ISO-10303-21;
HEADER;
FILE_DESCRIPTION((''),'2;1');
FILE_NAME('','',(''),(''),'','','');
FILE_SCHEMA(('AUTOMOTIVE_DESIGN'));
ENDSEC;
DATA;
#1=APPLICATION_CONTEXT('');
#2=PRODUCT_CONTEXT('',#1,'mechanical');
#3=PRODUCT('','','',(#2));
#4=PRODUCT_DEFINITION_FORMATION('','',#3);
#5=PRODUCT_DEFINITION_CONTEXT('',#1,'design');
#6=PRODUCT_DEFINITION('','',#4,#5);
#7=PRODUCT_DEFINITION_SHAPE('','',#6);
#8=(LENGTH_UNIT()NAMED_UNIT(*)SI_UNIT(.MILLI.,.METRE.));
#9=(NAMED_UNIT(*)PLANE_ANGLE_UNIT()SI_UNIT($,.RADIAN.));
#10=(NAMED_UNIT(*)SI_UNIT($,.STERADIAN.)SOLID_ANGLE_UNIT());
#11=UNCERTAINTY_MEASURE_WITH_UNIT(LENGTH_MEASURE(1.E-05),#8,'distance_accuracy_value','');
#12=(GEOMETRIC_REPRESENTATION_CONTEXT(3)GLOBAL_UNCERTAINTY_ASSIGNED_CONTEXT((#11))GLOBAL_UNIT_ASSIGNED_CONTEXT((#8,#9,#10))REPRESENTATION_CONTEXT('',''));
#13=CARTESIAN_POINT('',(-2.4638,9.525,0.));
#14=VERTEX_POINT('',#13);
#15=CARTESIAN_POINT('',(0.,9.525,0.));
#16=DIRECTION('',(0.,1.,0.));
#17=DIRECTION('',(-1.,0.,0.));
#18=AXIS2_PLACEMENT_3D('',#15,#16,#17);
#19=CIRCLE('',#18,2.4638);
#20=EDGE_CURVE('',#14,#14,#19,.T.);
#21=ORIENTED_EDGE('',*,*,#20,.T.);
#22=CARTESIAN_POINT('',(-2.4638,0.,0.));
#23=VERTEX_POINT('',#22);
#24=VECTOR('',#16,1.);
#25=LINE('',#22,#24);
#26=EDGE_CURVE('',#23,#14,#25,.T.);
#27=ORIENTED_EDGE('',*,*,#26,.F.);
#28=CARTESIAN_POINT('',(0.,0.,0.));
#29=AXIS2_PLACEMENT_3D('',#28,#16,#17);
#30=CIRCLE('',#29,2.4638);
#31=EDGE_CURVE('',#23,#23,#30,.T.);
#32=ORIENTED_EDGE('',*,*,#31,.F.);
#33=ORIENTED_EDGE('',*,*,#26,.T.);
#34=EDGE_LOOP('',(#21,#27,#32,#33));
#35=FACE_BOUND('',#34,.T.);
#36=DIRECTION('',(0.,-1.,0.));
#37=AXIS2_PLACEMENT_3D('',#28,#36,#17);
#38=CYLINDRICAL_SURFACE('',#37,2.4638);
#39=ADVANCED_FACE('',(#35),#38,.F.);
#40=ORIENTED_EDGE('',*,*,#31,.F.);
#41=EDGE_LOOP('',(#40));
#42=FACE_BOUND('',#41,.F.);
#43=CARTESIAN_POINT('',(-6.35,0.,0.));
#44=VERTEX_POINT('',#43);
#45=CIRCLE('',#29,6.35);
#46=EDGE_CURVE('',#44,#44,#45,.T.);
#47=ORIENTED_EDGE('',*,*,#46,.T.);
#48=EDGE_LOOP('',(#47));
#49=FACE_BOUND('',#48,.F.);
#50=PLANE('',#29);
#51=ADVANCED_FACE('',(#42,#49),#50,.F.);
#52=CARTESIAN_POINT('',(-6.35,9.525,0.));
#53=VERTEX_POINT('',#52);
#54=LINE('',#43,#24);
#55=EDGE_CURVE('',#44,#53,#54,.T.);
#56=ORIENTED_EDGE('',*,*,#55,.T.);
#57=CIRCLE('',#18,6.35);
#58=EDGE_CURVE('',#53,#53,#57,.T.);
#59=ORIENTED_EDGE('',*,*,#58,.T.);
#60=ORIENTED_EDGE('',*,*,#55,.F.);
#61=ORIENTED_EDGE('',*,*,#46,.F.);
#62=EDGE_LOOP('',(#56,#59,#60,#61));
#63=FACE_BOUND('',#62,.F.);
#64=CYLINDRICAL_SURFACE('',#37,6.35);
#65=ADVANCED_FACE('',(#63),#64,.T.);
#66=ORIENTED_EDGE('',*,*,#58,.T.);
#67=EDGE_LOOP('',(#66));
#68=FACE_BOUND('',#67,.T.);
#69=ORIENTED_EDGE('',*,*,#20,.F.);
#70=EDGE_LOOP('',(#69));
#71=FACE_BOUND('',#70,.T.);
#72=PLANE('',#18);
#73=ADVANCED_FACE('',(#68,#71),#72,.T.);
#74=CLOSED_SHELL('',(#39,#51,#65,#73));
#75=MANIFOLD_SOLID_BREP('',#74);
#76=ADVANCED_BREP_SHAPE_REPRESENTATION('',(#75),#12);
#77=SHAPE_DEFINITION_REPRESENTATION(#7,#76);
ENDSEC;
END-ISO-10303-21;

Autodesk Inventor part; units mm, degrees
ref_plane "YZ Plane" through (0, 0, 0) normal (1, 0, 0) x (0, 1, 0)
ref_plane "XZ Plane" through (0, 0, 0) normal (0, 1, 0) x (-1, 0, 0)
ref_plane "XY Plane" through (0, 0, 0) normal (0, 0, 1) x (1, 0, 0)
sketch "Sketch1" plane through (0, 0, 0) normal (0, 1, 0) x (-1, 0, 0)
  circle A0 centre (0, 0) radius 6.35
  circle A1 centre (0, 0) radius 2.4638
  dimension "d0" = 12.7
  dimension "d1" = 4.9276
extrude "Extrusion1" add sketch "Sketch1" along normal blind 9.525
properties part number "275-1066" material "Glass"
